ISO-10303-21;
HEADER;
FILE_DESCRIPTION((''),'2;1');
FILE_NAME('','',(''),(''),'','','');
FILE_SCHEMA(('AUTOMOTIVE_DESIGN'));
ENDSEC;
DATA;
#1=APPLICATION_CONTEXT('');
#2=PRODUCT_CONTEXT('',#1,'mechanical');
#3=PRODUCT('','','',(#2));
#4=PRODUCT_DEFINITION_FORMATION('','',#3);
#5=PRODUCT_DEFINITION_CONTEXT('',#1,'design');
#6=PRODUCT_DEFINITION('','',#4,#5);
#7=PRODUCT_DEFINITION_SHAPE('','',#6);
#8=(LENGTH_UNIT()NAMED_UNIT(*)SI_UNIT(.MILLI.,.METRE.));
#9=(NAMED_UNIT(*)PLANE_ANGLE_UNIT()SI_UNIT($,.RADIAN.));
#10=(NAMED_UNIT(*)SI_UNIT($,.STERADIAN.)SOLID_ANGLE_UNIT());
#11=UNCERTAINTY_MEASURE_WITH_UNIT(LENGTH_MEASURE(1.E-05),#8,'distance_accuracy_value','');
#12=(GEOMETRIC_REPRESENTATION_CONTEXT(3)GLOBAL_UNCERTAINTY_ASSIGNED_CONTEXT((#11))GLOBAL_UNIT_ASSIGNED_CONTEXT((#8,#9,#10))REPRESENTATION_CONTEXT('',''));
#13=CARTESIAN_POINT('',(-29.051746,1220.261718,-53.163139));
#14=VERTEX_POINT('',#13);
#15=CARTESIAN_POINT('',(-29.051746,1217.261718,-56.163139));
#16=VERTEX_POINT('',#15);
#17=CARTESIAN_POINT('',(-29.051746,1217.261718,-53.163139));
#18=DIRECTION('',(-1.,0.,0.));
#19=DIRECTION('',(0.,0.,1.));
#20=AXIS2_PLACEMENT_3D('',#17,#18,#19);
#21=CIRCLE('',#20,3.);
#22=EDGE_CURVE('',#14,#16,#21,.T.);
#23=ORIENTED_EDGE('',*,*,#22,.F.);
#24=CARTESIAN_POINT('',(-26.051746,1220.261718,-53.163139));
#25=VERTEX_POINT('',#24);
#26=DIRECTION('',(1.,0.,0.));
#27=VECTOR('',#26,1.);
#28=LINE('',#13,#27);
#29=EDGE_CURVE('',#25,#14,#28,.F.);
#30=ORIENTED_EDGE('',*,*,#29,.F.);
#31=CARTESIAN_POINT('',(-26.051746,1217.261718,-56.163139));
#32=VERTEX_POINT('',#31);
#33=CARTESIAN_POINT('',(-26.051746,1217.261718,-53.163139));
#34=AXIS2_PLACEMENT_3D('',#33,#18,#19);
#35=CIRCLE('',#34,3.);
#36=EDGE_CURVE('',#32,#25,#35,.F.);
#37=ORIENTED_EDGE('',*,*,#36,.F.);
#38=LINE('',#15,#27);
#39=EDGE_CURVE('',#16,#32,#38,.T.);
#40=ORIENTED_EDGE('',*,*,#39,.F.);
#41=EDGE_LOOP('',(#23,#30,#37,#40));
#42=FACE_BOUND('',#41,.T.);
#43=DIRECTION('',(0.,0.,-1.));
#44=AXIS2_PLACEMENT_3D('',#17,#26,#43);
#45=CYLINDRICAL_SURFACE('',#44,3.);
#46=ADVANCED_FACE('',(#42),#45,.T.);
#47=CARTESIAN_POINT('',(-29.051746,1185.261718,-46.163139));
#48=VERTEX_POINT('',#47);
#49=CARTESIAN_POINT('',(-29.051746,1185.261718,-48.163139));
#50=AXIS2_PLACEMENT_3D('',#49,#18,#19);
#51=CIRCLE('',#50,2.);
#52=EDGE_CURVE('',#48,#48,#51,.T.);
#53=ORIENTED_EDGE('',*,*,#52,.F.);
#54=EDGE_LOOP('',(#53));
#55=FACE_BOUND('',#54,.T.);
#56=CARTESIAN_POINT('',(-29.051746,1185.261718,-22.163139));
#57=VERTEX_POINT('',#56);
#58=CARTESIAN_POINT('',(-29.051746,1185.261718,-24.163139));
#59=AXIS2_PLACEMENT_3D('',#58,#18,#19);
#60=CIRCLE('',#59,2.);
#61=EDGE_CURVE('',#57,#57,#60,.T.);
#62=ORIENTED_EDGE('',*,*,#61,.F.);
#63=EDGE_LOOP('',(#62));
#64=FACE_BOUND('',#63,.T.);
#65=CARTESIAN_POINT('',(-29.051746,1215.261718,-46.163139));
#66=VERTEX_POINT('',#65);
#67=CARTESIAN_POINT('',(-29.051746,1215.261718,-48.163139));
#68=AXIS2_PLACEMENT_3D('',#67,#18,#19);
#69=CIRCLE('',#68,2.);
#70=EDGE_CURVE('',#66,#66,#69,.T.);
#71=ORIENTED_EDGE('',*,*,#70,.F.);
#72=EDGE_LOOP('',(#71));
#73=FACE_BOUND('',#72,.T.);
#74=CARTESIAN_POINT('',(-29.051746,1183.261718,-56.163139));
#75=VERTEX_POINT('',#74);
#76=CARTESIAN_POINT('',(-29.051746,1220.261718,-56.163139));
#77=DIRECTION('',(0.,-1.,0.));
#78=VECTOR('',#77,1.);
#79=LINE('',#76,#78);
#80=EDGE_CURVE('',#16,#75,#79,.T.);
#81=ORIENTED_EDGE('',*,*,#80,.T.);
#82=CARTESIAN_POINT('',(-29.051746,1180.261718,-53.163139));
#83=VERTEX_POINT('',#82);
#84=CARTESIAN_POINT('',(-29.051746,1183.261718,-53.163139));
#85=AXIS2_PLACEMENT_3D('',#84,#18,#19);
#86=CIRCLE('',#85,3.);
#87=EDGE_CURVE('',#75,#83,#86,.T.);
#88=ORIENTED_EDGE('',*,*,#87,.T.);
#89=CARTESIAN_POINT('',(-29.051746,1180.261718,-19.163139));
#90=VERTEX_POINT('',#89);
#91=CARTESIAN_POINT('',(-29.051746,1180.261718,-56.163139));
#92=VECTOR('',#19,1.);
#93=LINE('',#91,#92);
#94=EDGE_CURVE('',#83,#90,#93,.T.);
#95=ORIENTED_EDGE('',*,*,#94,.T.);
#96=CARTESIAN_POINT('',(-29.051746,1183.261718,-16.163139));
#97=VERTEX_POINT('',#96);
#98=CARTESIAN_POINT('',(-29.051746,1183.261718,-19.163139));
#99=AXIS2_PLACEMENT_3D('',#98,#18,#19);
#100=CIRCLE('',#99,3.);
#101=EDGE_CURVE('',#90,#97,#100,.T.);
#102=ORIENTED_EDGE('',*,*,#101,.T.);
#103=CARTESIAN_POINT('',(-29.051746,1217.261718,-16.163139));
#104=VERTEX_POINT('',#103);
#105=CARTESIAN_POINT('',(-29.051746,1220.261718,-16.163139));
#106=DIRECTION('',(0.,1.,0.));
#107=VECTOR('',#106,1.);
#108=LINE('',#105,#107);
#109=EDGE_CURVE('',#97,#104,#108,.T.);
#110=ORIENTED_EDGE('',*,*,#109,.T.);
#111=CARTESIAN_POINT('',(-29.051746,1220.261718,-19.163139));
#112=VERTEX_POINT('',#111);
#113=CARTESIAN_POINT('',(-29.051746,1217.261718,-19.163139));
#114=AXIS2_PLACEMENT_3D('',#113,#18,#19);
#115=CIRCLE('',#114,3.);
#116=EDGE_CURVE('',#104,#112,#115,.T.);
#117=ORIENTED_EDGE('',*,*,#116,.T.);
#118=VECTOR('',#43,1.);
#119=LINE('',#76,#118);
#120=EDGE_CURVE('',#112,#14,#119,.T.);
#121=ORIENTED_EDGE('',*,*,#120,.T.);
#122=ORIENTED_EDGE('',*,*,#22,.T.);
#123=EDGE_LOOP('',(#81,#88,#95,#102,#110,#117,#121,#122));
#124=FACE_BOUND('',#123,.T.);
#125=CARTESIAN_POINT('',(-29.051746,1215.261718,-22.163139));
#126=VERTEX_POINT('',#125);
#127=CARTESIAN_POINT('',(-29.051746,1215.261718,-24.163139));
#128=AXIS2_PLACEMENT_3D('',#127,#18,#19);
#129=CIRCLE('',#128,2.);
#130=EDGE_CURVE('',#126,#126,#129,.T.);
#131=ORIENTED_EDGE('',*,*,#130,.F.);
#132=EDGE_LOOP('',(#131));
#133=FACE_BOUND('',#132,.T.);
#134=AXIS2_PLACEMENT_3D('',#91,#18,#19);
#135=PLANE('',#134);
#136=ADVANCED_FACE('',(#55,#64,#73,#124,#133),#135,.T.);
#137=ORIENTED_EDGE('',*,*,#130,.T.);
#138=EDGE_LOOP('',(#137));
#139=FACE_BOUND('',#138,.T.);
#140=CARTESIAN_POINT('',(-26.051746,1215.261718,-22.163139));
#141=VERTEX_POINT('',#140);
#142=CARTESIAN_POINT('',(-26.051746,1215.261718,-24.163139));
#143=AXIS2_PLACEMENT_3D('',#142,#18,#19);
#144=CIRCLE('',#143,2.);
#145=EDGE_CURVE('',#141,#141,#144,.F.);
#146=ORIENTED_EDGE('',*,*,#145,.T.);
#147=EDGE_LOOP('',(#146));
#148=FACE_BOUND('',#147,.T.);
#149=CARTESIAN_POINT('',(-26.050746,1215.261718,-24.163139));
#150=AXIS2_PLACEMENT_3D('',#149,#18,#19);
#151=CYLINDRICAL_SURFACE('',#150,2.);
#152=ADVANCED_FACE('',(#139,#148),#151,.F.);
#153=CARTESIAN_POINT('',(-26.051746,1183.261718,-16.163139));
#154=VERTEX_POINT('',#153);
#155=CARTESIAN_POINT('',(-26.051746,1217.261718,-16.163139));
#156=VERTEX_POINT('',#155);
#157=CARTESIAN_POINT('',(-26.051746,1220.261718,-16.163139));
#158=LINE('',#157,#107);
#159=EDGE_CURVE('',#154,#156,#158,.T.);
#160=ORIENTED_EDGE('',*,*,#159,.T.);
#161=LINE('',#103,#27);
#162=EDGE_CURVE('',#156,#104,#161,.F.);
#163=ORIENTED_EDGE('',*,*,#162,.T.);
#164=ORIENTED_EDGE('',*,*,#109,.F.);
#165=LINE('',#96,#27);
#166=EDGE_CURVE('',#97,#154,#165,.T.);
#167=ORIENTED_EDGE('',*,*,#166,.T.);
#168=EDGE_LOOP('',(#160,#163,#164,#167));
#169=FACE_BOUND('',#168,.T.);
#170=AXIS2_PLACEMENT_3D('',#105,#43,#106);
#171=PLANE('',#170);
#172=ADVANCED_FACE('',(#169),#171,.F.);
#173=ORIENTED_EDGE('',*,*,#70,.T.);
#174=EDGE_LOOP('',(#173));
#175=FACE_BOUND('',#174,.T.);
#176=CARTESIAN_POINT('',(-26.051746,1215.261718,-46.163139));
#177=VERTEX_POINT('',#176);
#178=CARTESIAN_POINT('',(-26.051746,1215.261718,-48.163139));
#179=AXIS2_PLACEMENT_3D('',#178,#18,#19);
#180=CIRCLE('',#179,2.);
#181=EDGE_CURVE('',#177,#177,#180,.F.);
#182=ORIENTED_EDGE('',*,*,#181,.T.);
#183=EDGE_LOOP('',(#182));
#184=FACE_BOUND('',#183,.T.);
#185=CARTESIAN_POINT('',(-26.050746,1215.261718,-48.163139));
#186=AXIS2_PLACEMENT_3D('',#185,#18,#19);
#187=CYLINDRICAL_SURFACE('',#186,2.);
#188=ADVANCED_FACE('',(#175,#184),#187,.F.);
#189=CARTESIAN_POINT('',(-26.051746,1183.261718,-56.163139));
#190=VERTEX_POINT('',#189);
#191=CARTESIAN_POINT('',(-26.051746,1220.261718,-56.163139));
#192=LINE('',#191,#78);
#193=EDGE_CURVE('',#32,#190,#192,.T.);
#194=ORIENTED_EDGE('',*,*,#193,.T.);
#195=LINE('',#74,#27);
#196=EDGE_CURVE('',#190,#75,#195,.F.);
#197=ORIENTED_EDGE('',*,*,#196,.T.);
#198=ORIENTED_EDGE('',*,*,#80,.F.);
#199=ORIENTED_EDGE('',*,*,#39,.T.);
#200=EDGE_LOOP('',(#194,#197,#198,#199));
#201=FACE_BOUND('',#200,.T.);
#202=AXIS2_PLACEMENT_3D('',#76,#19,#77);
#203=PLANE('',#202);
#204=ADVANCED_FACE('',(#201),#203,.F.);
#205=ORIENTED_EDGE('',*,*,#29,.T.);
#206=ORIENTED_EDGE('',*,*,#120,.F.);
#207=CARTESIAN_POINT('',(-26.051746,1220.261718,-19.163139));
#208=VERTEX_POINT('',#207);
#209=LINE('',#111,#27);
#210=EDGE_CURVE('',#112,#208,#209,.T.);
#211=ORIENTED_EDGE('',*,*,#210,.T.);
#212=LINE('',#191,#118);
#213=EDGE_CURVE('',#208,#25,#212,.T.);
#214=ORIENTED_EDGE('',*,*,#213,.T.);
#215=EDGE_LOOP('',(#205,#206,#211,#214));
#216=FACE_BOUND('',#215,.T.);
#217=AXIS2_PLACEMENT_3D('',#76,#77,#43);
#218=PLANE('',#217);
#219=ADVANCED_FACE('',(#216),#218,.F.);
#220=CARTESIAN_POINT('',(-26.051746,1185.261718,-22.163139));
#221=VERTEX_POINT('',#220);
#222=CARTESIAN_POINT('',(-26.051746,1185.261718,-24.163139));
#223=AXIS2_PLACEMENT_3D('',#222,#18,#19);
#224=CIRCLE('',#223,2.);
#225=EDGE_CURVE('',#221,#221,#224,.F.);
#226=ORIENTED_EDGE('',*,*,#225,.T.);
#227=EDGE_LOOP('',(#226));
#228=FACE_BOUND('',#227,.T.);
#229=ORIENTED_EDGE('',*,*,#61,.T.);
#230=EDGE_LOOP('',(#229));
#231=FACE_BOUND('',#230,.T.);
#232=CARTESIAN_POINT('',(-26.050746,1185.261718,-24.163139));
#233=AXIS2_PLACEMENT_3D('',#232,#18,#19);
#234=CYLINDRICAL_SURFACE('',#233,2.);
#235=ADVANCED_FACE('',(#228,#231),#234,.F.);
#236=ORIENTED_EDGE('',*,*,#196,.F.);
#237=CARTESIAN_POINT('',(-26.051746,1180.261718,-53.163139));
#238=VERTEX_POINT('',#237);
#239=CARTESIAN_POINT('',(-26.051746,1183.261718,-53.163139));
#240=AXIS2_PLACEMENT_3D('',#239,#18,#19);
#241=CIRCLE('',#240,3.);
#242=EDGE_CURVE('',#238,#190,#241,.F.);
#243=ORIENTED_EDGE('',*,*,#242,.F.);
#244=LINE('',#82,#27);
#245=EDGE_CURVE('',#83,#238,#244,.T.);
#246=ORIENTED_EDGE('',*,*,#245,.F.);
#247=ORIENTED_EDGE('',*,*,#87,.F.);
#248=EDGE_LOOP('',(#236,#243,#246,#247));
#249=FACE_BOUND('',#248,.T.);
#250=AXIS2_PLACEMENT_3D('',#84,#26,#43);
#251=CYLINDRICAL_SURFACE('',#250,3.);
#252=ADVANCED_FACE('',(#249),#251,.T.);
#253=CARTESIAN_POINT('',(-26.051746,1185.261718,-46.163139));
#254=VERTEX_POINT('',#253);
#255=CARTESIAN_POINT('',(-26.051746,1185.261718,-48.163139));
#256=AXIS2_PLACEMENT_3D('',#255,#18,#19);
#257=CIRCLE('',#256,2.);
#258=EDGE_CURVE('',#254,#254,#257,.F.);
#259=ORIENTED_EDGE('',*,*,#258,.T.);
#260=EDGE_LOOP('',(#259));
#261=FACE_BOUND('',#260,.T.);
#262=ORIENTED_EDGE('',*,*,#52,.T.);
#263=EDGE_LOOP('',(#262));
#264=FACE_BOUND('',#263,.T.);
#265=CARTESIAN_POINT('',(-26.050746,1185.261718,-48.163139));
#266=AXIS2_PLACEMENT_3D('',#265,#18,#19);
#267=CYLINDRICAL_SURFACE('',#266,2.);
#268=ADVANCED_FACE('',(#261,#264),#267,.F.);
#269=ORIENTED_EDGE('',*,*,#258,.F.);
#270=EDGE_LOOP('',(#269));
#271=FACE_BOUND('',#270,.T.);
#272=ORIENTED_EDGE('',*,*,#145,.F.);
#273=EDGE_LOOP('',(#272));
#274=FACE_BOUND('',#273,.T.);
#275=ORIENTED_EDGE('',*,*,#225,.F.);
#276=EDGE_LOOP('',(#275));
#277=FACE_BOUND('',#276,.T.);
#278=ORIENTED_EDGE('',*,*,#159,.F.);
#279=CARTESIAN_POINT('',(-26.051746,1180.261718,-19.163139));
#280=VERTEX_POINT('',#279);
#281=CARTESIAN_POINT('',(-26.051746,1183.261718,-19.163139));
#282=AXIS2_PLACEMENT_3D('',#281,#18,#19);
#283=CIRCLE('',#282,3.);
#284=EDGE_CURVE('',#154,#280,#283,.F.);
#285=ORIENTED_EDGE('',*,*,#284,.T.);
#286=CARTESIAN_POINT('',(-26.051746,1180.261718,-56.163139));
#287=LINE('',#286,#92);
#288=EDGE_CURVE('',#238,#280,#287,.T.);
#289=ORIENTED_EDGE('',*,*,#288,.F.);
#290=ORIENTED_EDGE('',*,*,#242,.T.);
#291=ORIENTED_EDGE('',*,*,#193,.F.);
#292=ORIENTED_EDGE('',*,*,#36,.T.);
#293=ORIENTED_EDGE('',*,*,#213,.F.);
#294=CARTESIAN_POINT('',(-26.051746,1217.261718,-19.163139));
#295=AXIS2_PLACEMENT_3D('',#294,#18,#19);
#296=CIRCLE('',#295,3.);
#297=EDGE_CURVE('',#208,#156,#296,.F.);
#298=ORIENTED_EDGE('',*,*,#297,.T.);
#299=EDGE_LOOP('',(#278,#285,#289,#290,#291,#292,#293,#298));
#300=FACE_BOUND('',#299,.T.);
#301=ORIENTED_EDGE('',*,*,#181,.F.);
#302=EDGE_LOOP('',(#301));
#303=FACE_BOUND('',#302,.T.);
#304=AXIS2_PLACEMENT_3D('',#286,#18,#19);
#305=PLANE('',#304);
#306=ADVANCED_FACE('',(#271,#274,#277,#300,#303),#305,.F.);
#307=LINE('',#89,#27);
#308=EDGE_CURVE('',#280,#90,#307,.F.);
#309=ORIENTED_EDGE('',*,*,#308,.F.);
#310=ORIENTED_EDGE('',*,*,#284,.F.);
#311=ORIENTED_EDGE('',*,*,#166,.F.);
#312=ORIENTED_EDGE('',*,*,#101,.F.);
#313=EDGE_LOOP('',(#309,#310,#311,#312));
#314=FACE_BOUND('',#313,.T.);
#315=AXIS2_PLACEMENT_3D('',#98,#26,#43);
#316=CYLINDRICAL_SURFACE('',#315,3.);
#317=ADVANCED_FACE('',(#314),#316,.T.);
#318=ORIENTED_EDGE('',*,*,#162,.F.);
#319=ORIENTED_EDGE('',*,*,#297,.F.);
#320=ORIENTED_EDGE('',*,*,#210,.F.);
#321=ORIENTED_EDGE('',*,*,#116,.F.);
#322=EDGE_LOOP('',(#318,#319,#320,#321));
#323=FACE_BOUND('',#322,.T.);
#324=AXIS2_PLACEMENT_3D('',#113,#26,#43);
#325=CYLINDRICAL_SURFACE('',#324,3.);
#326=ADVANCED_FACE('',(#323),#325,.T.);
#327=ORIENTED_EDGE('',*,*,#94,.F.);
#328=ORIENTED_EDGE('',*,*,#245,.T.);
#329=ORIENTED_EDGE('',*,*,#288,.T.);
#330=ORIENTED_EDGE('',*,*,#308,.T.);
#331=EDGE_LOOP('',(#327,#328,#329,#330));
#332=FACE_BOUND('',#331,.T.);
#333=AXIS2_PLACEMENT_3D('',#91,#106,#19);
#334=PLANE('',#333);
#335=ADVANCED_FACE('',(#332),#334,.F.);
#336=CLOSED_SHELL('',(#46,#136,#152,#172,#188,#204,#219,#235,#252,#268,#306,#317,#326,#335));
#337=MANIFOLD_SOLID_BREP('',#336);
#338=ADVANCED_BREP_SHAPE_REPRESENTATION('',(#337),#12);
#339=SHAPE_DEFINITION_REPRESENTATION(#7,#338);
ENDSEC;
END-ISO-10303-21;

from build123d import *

# Parameters (mm, degrees)
SKETCH1_W           = 40
SKETCH1_H           = 40
BOSS_EXTRUDE1_DEPTH = 3
FILLET1_R           = 3
CUT_EXTRUDE1_REACH  = 5
SKETCH2_R           = 2


with BuildPart() as part:
    # Sketch1 → Boss-Extrude1 (new body)
    with BuildSketch(Plane.ZY.offset(26.051745534)):
        with Locations((-36.163138966, 1200.261717599)):
            Rectangle(SKETCH1_W, SKETCH1_H)
    extrude(amount=BOSS_EXTRUDE1_DEPTH)

    # Fillet1
    fillet1_edges = [part.edges().sort_by_distance(p)[0] for p in [
        (-27.551745534, 1220.261717599, -56.163138966),
        (-27.551745534, 1220.261717599, -16.163138966),
        (-27.551745534, 1180.261717599, -16.163138966),
        (-27.551745534, 1180.261717599, -56.163138966),
    ]]
    fillet(fillet1_edges, radius=FILLET1_R)

    # Sketch2 → Cut-Extrude1 (cut, up to next)
    with BuildSketch(Plane.ZY.offset(29.051745534), mode=Mode.PRIVATE) as cut_extrude1_sk1:
        with Locations((-48.163138966, 1215.261717599)):
            Circle(SKETCH2_R)
    cut_extrude1_tool1 = extrude(cut_extrude1_sk1.sketch, amount=-CUT_EXTRUDE1_REACH, mode=Mode.PRIVATE) & part.part
    add(cut_extrude1_tool1.solids().sort_by_distance((-29.051746, 1215.261718, -48.163139))[0], mode=Mode.SUBTRACT)
    # Sketch2 → Cut-Extrude1 (cut, up to next)
    with BuildSketch(Plane.ZY.offset(29.051745534), mode=Mode.PRIVATE) as cut_extrude1_sk2:
        with Locations((-24.163138966, 1215.261717599)):
            Circle(SKETCH2_R)
    cut_extrude1_tool2 = extrude(cut_extrude1_sk2.sketch, amount=-CUT_EXTRUDE1_REACH, mode=Mode.PRIVATE) & part.part
    add(cut_extrude1_tool2.solids().sort_by_distance((-29.051746, 1215.261718, -24.163139))[0], mode=Mode.SUBTRACT)
    # Sketch2 → Cut-Extrude1 (cut, up to next)
    with BuildSketch(Plane.ZY.offset(29.051745534), mode=Mode.PRIVATE) as cut_extrude1_sk3:
        with Locations((-24.163138966, 1185.261717599)):
            Circle(SKETCH2_R)
    cut_extrude1_tool3 = extrude(cut_extrude1_sk3.sketch, amount=-CUT_EXTRUDE1_REACH, mode=Mode.PRIVATE) & part.part
    add(cut_extrude1_tool3.solids().sort_by_distance((-29.051746, 1185.261718, -24.163139))[0], mode=Mode.SUBTRACT)
    # Sketch2 → Cut-Extrude1 (cut, up to next)
    with BuildSketch(Plane.ZY.offset(29.051745534), mode=Mode.PRIVATE) as cut_extrude1_sk4:
        with Locations((-48.163138966, 1185.261717599)):
            Circle(SKETCH2_R)
    cut_extrude1_tool4 = extrude(cut_extrude1_sk4.sketch, amount=-CUT_EXTRUDE1_REACH, mode=Mode.PRIVATE) & part.part
    add(cut_extrude1_tool4.solids().sort_by_distance((-29.051746, 1185.261718, -48.163139))[0], mode=Mode.SUBTRACT)


solid = part.part
